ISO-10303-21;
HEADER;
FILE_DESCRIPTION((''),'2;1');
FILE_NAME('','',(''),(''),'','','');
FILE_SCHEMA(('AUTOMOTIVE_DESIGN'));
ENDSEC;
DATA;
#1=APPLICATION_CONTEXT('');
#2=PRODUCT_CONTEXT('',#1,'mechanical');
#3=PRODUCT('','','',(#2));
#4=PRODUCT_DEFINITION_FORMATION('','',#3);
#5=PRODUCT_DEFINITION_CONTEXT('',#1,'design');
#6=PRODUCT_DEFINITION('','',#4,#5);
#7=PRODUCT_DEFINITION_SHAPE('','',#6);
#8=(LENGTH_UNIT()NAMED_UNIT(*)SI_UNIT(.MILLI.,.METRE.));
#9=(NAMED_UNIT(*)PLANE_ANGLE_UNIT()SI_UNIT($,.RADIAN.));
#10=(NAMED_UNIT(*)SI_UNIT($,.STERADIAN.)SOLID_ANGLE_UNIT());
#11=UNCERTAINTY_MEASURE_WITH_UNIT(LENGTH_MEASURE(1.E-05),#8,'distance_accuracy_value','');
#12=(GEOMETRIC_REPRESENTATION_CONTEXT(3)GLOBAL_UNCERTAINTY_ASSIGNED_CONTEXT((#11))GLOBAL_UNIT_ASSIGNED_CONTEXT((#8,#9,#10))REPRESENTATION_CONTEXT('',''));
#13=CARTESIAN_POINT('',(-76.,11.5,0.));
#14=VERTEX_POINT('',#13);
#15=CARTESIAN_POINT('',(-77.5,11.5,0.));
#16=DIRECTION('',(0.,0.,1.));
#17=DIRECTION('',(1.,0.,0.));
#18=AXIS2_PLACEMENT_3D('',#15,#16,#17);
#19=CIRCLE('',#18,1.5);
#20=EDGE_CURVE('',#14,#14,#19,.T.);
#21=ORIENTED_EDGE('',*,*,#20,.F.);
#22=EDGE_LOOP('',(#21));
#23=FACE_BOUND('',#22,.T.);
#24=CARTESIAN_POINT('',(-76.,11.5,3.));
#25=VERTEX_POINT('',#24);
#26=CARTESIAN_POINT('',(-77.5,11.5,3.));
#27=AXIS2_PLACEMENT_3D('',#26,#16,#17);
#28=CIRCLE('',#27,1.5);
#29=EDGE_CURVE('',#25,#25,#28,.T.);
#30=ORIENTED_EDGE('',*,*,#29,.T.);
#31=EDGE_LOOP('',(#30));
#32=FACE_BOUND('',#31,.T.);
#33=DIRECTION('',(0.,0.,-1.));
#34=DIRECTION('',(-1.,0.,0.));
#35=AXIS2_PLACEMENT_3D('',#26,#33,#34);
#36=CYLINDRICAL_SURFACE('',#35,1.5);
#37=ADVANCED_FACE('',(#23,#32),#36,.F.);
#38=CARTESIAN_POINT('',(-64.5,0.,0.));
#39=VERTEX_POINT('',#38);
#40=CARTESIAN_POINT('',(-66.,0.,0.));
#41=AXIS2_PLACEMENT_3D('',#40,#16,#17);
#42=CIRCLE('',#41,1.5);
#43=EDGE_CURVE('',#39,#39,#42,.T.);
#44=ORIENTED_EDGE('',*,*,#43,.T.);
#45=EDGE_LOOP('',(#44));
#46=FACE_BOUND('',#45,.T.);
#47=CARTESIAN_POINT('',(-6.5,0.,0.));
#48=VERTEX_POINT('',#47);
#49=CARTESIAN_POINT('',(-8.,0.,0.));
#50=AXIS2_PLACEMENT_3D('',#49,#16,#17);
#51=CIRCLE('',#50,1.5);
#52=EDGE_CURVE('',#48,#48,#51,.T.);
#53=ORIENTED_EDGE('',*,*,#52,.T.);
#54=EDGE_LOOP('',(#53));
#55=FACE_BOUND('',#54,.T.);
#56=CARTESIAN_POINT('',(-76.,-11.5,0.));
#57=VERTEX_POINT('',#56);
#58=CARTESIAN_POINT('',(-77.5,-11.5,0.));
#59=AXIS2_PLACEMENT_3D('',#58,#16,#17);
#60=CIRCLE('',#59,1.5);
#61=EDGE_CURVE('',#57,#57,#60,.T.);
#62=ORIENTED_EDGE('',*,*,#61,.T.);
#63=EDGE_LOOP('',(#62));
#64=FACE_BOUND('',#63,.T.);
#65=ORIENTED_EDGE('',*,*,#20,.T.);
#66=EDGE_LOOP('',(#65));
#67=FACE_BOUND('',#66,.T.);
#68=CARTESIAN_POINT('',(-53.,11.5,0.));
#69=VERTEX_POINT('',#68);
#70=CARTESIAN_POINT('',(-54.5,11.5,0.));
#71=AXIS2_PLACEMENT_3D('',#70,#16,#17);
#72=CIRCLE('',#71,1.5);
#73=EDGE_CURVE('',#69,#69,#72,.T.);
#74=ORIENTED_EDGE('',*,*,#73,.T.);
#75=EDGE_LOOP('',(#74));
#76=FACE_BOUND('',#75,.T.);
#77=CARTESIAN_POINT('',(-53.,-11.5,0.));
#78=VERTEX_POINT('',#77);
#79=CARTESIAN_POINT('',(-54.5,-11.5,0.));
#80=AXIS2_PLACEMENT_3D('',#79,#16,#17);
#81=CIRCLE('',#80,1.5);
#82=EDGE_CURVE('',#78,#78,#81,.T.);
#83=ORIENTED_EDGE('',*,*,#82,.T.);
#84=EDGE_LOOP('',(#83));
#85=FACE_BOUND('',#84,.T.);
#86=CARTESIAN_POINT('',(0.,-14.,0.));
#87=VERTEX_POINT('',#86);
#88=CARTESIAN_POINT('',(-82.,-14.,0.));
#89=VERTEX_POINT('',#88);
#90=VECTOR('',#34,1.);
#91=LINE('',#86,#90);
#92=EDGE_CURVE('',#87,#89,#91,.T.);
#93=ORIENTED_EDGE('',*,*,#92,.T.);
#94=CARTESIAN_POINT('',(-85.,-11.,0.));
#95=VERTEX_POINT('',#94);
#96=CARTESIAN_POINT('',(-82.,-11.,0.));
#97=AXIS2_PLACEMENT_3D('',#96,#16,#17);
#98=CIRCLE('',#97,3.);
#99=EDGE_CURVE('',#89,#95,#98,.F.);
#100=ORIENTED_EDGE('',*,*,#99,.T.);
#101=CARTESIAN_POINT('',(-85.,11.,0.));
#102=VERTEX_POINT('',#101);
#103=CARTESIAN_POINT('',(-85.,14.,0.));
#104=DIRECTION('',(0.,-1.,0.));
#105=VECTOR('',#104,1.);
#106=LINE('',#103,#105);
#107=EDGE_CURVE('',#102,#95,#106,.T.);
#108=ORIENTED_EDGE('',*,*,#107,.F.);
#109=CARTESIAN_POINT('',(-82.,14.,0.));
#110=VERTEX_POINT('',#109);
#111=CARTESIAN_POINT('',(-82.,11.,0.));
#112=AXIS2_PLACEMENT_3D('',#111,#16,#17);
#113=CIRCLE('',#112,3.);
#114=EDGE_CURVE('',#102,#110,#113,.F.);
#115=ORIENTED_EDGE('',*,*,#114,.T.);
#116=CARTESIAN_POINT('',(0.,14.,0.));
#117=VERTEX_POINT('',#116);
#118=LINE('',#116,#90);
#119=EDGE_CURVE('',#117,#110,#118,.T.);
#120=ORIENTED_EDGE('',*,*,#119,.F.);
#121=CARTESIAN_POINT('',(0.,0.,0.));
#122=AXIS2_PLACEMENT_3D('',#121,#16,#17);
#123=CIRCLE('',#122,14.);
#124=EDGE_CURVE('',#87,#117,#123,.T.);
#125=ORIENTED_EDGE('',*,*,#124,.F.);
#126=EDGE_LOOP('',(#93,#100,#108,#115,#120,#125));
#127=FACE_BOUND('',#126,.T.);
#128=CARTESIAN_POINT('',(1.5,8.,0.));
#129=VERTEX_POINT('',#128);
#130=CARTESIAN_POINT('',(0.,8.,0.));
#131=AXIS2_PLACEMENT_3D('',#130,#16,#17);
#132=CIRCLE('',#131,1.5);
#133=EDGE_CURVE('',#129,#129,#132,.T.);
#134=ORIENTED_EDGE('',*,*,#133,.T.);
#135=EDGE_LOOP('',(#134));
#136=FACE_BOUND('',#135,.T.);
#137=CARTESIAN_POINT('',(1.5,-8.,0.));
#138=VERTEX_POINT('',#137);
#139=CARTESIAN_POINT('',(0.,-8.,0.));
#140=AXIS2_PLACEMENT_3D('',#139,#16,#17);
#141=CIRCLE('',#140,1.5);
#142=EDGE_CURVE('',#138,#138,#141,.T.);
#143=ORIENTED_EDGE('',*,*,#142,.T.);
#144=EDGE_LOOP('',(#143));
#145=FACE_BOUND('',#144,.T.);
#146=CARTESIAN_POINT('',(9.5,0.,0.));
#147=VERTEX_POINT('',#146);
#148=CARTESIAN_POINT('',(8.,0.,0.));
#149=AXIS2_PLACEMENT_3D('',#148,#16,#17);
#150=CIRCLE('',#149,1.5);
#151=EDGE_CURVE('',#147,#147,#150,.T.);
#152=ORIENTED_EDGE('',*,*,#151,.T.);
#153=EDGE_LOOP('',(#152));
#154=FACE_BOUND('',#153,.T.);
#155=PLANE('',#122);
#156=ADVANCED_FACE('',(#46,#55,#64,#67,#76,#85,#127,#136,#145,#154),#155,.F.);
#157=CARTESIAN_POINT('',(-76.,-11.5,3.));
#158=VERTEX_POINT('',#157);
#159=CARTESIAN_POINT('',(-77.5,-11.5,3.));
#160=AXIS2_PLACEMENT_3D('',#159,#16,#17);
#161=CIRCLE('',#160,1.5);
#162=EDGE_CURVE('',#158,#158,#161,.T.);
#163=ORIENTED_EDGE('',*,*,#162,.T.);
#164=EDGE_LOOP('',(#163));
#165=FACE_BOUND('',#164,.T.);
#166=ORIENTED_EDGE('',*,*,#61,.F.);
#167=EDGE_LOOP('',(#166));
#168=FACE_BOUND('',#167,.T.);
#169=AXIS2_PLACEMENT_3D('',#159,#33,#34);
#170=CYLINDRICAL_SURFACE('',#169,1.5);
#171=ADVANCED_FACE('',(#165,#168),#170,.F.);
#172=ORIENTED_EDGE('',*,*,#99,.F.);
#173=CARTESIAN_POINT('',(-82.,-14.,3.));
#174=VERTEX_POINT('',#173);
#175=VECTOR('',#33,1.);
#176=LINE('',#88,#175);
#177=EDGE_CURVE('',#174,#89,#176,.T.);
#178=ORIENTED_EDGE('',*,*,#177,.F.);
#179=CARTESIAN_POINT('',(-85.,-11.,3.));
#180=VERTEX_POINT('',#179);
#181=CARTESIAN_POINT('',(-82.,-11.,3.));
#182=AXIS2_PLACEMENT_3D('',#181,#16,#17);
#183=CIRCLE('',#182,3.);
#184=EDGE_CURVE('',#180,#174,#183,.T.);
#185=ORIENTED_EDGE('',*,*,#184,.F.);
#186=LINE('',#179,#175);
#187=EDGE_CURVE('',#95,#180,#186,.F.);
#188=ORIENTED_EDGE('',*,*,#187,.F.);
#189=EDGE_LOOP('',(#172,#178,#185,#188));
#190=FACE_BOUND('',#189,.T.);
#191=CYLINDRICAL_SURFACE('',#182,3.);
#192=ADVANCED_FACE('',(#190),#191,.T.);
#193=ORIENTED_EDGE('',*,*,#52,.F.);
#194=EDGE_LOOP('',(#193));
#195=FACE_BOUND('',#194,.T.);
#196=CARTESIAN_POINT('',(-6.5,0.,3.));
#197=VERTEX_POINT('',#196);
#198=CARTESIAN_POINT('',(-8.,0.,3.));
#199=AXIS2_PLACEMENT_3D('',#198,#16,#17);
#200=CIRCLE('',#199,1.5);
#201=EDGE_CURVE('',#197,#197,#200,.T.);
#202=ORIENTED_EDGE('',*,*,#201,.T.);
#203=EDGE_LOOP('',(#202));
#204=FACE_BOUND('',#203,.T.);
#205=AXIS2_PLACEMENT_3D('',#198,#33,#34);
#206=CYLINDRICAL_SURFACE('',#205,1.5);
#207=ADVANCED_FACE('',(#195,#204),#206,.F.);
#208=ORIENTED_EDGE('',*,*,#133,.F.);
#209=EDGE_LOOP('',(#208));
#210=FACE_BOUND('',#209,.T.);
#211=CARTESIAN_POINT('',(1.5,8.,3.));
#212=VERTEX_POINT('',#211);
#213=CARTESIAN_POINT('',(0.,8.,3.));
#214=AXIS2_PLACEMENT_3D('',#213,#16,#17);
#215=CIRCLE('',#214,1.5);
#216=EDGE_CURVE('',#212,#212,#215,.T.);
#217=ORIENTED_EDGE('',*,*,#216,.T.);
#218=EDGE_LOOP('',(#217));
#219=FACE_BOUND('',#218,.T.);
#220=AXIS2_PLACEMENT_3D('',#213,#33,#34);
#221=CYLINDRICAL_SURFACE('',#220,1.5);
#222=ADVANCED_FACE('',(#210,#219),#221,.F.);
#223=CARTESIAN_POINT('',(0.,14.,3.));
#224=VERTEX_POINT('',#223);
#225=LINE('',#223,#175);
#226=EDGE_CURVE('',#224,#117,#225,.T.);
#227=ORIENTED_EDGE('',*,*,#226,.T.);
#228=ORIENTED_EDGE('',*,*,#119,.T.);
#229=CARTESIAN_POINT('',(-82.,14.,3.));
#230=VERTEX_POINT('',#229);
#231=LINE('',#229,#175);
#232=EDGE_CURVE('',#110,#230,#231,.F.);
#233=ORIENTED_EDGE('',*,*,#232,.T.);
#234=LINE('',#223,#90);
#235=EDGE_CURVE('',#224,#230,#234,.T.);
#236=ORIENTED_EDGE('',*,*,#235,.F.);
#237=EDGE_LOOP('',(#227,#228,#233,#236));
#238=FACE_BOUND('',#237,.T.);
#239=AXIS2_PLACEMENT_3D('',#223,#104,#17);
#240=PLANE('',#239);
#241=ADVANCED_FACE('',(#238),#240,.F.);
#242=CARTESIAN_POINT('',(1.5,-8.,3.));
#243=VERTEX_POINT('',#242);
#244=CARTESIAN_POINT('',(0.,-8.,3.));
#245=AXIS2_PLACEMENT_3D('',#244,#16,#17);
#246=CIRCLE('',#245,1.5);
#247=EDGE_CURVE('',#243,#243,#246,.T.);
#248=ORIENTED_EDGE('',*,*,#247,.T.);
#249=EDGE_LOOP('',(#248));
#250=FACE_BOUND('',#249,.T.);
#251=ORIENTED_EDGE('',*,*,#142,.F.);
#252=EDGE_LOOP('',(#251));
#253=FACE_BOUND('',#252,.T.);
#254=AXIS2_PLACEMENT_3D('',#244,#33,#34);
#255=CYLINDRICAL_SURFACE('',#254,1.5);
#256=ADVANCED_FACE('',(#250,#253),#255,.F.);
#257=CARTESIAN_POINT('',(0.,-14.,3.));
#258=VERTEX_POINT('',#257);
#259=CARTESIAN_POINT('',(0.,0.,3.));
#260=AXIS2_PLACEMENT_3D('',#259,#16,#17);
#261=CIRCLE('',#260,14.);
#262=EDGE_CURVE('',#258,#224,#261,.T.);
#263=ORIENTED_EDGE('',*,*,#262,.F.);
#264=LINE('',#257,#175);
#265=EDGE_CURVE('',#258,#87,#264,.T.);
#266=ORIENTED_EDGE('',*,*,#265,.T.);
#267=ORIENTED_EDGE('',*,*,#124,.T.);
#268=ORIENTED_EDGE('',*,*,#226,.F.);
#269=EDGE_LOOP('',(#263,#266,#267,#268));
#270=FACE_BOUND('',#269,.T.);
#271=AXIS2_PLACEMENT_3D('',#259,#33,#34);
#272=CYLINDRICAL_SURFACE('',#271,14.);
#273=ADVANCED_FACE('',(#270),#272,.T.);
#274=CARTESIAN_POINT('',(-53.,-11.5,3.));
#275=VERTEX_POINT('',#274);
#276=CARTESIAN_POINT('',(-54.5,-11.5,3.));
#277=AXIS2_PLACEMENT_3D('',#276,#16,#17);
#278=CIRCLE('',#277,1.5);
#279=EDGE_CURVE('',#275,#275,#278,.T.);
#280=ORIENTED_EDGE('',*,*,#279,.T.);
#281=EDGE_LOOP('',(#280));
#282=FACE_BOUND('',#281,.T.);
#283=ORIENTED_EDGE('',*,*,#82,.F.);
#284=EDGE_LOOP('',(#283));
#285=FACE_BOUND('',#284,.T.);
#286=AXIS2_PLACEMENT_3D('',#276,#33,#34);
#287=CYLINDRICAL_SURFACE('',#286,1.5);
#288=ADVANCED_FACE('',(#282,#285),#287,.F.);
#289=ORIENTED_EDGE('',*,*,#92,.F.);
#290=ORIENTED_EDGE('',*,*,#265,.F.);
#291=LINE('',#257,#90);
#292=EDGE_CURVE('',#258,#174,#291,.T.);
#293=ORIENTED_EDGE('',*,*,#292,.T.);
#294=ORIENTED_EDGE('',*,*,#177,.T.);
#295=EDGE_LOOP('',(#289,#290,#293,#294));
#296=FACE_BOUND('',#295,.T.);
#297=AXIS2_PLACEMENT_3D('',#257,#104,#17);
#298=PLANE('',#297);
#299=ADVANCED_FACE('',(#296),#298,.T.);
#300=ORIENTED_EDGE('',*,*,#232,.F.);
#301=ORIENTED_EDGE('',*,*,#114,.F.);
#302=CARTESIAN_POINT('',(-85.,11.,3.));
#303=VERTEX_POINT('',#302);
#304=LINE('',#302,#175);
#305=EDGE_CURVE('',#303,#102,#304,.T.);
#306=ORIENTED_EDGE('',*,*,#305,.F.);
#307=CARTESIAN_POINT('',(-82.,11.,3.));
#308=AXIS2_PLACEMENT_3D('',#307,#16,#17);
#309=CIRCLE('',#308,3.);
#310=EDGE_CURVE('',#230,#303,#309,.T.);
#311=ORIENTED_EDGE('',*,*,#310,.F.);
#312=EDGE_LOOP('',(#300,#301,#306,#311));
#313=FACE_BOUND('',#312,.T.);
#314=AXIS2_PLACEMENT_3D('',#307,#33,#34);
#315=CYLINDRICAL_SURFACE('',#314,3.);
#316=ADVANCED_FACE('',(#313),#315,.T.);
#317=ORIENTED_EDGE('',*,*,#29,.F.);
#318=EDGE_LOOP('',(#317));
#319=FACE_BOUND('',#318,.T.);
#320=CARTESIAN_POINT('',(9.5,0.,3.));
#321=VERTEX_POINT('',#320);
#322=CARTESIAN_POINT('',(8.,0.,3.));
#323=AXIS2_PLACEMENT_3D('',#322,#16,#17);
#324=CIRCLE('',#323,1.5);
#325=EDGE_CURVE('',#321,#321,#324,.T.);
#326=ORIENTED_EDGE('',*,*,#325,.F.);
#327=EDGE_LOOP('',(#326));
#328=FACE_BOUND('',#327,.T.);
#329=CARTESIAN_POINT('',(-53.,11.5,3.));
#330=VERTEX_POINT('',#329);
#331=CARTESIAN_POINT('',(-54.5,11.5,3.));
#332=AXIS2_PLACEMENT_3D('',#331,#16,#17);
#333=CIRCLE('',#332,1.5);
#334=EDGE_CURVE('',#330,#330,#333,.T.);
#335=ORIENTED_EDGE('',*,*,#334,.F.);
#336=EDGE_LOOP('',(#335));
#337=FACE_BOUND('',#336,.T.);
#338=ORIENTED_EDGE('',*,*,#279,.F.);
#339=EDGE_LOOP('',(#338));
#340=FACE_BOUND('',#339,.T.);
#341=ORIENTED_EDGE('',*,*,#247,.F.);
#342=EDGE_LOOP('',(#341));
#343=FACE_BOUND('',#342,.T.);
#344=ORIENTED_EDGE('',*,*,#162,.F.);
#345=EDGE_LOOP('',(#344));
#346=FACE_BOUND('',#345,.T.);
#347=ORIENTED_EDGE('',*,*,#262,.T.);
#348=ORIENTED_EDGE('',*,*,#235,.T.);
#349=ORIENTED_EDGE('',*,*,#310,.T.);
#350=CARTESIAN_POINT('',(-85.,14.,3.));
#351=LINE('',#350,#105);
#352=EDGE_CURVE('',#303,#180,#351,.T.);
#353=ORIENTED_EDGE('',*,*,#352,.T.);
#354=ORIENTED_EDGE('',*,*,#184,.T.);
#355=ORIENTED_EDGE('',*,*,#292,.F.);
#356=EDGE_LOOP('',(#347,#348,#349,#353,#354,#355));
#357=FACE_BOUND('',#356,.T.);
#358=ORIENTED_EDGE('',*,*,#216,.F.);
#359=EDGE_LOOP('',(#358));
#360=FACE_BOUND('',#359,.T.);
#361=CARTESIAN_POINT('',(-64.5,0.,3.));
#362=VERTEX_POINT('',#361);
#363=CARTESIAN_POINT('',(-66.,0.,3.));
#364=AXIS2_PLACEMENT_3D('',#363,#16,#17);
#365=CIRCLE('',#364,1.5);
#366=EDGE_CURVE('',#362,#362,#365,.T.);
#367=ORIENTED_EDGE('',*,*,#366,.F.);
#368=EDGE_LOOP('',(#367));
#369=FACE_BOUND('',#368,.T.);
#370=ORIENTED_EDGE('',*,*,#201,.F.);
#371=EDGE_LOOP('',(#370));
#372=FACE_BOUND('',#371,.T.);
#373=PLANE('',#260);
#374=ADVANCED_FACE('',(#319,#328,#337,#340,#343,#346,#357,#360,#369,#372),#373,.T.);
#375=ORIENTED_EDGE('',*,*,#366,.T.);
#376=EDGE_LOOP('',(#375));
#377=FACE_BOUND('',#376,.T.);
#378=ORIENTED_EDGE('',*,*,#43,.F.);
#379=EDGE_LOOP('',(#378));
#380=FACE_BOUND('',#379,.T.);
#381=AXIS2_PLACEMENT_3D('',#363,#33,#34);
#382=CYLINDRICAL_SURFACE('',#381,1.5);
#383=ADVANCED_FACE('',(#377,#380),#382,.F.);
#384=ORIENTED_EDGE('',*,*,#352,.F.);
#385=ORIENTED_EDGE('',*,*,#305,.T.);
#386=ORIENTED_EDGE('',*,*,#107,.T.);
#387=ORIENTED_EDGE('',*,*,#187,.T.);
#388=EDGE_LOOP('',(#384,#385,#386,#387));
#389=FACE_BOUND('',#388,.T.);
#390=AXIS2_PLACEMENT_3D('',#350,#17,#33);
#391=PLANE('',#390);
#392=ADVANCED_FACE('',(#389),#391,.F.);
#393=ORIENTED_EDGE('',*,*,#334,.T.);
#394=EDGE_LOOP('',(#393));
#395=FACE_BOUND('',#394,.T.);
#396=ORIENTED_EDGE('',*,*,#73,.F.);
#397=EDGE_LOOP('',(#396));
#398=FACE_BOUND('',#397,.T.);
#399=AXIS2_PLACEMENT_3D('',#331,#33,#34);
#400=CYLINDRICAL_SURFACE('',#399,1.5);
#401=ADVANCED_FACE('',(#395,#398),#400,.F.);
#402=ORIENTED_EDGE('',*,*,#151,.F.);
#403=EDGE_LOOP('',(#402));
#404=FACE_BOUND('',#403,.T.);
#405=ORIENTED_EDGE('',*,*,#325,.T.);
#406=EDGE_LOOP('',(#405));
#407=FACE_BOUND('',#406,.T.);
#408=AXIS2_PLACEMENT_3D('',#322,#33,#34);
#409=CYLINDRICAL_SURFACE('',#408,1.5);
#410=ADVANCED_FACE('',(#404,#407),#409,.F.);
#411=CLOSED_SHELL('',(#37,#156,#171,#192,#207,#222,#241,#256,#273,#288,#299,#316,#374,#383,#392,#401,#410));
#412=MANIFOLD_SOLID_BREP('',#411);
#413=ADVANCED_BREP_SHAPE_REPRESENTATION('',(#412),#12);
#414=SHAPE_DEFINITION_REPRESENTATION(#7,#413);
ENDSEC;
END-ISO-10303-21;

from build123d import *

# Parameters (mm, degrees)
SKETCH_1_R      = 1.5
EXTRUDE_1_DEPTH = 3
FILLET_1_R      = 3


with BuildPart() as part:
    # 草图1 → 凸台-拉伸1 (new body)
    with BuildSketch(Plane.XY):
        with BuildLine():
            Line((-85, -14), (0, -14))
            ThreePointArc((0, -14), (14, 0), (0, 14))
            Line((0, 14), (-85, 14))
            Line((-85, 14), (-85, -14))
        make_face()
        with Locations((-54.5, -11.5)):
            Circle(SKETCH_1_R, mode=Mode.SUBTRACT)
        with Locations((-77.5, -11.5)):
            Circle(SKETCH_1_R, mode=Mode.SUBTRACT)
        with Locations((-66, 0)):
            Circle(SKETCH_1_R, mode=Mode.SUBTRACT)
        with Locations((0, -8)):
            Circle(SKETCH_1_R, mode=Mode.SUBTRACT)
        with Locations((8, 0)):
            Circle(SKETCH_1_R, mode=Mode.SUBTRACT)
        with Locations((-77.5, 11.5)):
            Circle(SKETCH_1_R, mode=Mode.SUBTRACT)
        with Locations((-54.5, 11.5)):
            Circle(SKETCH_1_R, mode=Mode.SUBTRACT)
        with Locations((-8, 0)):
            Circle(SKETCH_1_R, mode=Mode.SUBTRACT)
        with Locations((0, 8)):
            Circle(SKETCH_1_R, mode=Mode.SUBTRACT)
    extrude(amount=EXTRUDE_1_DEPTH)

    # 圆角1
    fillet_1_edges = [part.edges().sort_by_distance(p)[0] for p in [
        (-85, 14, 1.5),
        (-85, -14, 1.5),
    ]]
    fillet(fillet_1_edges, radius=FILLET_1_R)


solid = part.part
